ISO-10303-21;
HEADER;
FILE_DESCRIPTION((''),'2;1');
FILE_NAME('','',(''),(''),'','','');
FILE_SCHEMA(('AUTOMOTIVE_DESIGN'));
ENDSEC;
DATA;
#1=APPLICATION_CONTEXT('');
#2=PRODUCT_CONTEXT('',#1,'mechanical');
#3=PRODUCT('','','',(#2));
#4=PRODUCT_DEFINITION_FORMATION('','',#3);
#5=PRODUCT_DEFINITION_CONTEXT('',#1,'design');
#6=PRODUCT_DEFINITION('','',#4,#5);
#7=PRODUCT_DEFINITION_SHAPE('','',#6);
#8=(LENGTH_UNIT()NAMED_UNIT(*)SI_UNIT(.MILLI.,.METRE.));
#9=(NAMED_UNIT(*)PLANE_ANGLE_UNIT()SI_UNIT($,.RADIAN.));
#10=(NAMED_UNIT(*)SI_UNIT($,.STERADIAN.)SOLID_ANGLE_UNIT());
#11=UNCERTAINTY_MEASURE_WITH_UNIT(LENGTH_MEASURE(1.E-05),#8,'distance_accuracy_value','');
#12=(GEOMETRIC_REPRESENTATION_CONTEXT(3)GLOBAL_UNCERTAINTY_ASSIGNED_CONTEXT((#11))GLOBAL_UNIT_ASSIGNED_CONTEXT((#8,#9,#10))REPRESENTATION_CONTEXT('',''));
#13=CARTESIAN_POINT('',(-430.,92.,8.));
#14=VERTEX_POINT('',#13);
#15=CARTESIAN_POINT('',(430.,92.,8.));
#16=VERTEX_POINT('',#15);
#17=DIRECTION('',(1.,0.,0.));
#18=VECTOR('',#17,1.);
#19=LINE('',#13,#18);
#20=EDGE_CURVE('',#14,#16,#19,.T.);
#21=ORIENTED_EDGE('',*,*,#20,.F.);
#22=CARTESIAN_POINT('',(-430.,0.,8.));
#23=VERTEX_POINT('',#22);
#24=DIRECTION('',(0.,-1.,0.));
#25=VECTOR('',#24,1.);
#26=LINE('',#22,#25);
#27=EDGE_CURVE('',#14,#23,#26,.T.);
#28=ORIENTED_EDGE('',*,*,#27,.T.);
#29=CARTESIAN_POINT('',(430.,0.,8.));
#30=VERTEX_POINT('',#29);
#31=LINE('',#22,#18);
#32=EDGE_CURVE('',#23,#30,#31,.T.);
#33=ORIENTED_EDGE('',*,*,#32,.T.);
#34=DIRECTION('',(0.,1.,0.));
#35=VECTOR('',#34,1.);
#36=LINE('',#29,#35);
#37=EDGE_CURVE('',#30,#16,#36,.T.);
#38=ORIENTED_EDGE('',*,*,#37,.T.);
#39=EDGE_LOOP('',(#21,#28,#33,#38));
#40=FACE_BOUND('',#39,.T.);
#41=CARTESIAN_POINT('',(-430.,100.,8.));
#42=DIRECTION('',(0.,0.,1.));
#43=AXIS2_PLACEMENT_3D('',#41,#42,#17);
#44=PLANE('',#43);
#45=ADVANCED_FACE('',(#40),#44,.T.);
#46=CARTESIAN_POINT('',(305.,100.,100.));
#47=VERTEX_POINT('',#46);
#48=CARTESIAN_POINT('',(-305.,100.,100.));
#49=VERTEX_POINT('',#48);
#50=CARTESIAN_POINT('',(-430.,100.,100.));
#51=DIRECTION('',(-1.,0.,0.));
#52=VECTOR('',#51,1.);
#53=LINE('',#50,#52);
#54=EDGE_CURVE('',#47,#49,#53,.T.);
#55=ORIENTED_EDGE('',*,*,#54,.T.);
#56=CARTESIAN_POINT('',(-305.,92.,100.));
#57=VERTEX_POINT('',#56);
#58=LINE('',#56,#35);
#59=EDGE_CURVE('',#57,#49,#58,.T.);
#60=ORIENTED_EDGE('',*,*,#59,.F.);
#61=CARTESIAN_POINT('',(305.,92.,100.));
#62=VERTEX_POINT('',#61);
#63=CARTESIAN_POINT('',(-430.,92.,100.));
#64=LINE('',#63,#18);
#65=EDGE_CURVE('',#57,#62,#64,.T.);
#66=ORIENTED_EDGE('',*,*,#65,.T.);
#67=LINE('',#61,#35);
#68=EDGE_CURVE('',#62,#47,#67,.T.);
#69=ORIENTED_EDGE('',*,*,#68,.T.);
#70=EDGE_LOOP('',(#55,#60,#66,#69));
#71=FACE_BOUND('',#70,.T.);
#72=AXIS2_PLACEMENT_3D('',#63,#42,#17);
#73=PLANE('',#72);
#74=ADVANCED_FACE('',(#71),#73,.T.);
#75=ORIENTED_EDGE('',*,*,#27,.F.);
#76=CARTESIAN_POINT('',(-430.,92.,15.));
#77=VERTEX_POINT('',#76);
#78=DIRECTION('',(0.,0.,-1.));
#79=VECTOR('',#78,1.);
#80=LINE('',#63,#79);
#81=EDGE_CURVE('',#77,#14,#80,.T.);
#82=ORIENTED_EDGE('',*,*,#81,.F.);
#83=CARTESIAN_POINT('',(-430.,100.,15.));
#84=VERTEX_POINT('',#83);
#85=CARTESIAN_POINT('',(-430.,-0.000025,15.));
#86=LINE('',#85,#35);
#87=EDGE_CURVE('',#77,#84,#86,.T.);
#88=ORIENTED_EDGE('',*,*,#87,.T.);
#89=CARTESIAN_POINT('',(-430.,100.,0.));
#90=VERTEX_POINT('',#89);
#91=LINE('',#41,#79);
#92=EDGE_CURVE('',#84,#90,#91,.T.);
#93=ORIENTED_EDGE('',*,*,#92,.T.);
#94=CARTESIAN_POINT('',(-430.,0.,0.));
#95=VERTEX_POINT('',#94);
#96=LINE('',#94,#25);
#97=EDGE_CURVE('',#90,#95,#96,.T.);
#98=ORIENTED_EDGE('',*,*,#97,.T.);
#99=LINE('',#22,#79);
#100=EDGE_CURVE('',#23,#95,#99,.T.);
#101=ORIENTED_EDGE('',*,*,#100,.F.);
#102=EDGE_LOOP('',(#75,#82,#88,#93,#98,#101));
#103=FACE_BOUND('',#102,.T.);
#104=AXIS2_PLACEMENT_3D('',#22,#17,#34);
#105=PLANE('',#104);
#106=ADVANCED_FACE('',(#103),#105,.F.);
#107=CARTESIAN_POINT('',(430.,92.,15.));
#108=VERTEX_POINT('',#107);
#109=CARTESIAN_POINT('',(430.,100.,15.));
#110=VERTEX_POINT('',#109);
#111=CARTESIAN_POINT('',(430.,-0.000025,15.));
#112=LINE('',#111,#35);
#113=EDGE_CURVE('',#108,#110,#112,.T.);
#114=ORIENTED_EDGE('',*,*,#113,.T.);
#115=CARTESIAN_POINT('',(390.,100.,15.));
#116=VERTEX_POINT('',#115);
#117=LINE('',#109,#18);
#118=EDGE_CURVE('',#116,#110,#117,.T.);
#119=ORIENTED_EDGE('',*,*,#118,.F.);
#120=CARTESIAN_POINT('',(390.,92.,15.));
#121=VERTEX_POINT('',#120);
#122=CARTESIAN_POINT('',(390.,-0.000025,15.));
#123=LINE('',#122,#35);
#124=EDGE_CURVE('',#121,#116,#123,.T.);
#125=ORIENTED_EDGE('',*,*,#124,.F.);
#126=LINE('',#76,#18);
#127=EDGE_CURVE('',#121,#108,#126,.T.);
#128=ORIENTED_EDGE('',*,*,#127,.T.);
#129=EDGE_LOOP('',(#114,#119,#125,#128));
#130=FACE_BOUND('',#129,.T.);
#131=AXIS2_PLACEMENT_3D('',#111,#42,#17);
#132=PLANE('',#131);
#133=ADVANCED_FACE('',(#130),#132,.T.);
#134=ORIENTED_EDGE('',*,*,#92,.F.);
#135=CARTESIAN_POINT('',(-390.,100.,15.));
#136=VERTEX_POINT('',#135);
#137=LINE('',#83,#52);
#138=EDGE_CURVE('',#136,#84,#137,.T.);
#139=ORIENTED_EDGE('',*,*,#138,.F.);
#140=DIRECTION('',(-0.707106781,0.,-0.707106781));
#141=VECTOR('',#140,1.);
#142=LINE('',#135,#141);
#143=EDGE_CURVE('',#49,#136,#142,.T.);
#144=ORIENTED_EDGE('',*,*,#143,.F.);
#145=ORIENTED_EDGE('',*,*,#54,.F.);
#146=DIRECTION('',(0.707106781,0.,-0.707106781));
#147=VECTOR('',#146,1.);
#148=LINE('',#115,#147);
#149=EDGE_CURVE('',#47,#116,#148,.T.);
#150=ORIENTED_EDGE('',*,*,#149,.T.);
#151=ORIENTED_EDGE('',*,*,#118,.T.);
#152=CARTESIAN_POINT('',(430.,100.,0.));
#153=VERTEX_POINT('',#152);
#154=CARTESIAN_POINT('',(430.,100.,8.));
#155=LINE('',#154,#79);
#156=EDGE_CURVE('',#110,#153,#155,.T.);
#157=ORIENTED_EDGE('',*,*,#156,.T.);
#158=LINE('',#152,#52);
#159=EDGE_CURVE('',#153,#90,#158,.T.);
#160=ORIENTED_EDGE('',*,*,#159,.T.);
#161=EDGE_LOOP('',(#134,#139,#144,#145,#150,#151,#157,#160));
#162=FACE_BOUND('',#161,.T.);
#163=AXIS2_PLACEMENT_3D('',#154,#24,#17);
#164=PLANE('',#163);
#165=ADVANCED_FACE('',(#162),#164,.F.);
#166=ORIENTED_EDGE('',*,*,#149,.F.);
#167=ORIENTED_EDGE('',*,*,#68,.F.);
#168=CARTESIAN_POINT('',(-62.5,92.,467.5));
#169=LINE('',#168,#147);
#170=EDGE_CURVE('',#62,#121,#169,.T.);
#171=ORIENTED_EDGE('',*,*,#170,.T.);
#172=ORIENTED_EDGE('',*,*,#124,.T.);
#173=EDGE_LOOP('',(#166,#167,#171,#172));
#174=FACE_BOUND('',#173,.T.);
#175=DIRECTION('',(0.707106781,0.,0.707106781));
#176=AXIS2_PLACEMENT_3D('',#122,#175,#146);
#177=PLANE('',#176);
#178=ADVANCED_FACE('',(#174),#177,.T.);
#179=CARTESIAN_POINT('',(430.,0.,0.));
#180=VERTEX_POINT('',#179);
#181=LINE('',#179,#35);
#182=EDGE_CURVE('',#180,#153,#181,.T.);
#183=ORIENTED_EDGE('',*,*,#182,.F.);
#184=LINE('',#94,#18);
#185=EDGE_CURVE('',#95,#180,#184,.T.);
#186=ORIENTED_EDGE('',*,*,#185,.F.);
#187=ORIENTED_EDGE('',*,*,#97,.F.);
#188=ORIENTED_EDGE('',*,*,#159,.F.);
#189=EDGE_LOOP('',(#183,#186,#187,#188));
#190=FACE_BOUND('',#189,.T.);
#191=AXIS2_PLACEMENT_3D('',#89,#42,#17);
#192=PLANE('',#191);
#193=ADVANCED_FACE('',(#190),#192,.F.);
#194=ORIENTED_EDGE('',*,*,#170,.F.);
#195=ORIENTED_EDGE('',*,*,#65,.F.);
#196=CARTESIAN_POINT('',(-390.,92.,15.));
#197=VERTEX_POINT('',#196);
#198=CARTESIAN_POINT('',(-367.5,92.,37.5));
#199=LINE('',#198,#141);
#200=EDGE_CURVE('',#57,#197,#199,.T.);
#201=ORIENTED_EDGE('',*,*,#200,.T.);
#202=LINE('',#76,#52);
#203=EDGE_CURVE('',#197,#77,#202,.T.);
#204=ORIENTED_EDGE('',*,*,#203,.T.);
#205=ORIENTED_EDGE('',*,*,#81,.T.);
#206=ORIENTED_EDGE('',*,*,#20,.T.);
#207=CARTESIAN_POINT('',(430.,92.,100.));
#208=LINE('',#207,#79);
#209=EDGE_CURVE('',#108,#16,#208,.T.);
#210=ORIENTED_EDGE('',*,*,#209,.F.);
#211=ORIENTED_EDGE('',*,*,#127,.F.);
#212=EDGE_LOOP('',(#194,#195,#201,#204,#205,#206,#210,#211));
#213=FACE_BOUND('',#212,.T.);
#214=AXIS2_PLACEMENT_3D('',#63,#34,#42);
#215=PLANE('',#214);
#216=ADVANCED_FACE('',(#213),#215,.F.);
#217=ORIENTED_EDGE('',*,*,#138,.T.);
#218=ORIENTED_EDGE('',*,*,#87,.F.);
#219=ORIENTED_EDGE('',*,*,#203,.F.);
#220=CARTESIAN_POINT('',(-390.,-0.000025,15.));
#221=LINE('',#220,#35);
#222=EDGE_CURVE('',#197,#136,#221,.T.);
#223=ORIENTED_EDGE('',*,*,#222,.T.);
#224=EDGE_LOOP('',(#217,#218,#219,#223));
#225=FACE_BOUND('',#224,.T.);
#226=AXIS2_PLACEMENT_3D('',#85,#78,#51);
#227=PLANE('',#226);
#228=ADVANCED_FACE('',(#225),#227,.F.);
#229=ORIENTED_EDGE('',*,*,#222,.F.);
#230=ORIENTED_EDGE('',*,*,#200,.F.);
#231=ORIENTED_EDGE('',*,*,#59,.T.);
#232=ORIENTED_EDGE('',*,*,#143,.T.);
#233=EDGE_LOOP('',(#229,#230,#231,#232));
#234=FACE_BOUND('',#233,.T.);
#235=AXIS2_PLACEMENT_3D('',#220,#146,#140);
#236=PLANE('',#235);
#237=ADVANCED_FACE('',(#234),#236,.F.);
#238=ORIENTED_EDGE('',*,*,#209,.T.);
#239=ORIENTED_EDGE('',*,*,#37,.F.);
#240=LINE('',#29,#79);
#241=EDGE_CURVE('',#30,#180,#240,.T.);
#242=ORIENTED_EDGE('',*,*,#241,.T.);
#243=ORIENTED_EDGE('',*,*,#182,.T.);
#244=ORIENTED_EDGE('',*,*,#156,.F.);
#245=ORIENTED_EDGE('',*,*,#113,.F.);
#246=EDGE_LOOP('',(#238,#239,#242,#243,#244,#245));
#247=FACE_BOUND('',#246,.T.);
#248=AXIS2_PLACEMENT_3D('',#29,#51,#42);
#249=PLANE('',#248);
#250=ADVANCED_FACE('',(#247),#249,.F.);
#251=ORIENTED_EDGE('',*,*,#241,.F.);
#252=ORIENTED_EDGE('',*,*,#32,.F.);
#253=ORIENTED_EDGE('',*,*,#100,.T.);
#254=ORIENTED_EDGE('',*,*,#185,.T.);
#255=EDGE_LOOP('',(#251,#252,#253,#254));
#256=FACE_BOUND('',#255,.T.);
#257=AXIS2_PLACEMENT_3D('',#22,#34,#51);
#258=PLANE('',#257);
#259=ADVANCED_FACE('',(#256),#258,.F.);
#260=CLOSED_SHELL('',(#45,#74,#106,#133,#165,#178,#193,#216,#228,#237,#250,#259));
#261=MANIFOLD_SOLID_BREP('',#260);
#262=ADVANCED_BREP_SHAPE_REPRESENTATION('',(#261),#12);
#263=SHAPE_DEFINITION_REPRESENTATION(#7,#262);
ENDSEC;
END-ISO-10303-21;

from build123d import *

# Parameters (mm, degrees)
SKETCH_1_W          = 860
SKETCH_1_H          = 100
EXTRUDE_1_DEPTH     = 8
SKETCH_2_W          = 860
SKETCH_2_H          = 8
EXTRUDE_2_DEPTH     = 92
CUT_EXTRUDE_1_DEPTH = 453.65881191


with BuildPart() as part:
    # 草图1 → 凸台-拉伸1 (new body)
    with BuildSketch(Plane.XY):
        with Locations((0, 50)):
            Rectangle(SKETCH_1_W, SKETCH_1_H)
    extrude(amount=EXTRUDE_1_DEPTH)

    # 草图2 → 凸台-拉伸2 (add)
    with BuildSketch(Plane.XY.offset(8)):
        with Locations((0, 96)):
            Rectangle(SKETCH_2_W, SKETCH_2_H)
    extrude(amount=EXTRUDE_2_DEPTH)

    # 草图4 → 切除-拉伸1 (cut, through all)
    with BuildSketch(Plane(origin=(0, 100, 0), x_dir=(1, 0, 0), z_dir=(0, 1, 0))):
        Polygon((-430, -15), (-390, -15), (-305, -100), (-430, -100), align=None)
    cut_extrude_1 = extrude(amount=-CUT_EXTRUDE_1_DEPTH, mode=Mode.SUBTRACT)

    # 镜向1: 切除-拉伸1 across plane
    add(cut_extrude_1.mirror(Plane(origin=(0, 0, 0), x_dir=(0, 0, 1), z_dir=(1, 0, 0))), mode=Mode.SUBTRACT)


solid = part.part
